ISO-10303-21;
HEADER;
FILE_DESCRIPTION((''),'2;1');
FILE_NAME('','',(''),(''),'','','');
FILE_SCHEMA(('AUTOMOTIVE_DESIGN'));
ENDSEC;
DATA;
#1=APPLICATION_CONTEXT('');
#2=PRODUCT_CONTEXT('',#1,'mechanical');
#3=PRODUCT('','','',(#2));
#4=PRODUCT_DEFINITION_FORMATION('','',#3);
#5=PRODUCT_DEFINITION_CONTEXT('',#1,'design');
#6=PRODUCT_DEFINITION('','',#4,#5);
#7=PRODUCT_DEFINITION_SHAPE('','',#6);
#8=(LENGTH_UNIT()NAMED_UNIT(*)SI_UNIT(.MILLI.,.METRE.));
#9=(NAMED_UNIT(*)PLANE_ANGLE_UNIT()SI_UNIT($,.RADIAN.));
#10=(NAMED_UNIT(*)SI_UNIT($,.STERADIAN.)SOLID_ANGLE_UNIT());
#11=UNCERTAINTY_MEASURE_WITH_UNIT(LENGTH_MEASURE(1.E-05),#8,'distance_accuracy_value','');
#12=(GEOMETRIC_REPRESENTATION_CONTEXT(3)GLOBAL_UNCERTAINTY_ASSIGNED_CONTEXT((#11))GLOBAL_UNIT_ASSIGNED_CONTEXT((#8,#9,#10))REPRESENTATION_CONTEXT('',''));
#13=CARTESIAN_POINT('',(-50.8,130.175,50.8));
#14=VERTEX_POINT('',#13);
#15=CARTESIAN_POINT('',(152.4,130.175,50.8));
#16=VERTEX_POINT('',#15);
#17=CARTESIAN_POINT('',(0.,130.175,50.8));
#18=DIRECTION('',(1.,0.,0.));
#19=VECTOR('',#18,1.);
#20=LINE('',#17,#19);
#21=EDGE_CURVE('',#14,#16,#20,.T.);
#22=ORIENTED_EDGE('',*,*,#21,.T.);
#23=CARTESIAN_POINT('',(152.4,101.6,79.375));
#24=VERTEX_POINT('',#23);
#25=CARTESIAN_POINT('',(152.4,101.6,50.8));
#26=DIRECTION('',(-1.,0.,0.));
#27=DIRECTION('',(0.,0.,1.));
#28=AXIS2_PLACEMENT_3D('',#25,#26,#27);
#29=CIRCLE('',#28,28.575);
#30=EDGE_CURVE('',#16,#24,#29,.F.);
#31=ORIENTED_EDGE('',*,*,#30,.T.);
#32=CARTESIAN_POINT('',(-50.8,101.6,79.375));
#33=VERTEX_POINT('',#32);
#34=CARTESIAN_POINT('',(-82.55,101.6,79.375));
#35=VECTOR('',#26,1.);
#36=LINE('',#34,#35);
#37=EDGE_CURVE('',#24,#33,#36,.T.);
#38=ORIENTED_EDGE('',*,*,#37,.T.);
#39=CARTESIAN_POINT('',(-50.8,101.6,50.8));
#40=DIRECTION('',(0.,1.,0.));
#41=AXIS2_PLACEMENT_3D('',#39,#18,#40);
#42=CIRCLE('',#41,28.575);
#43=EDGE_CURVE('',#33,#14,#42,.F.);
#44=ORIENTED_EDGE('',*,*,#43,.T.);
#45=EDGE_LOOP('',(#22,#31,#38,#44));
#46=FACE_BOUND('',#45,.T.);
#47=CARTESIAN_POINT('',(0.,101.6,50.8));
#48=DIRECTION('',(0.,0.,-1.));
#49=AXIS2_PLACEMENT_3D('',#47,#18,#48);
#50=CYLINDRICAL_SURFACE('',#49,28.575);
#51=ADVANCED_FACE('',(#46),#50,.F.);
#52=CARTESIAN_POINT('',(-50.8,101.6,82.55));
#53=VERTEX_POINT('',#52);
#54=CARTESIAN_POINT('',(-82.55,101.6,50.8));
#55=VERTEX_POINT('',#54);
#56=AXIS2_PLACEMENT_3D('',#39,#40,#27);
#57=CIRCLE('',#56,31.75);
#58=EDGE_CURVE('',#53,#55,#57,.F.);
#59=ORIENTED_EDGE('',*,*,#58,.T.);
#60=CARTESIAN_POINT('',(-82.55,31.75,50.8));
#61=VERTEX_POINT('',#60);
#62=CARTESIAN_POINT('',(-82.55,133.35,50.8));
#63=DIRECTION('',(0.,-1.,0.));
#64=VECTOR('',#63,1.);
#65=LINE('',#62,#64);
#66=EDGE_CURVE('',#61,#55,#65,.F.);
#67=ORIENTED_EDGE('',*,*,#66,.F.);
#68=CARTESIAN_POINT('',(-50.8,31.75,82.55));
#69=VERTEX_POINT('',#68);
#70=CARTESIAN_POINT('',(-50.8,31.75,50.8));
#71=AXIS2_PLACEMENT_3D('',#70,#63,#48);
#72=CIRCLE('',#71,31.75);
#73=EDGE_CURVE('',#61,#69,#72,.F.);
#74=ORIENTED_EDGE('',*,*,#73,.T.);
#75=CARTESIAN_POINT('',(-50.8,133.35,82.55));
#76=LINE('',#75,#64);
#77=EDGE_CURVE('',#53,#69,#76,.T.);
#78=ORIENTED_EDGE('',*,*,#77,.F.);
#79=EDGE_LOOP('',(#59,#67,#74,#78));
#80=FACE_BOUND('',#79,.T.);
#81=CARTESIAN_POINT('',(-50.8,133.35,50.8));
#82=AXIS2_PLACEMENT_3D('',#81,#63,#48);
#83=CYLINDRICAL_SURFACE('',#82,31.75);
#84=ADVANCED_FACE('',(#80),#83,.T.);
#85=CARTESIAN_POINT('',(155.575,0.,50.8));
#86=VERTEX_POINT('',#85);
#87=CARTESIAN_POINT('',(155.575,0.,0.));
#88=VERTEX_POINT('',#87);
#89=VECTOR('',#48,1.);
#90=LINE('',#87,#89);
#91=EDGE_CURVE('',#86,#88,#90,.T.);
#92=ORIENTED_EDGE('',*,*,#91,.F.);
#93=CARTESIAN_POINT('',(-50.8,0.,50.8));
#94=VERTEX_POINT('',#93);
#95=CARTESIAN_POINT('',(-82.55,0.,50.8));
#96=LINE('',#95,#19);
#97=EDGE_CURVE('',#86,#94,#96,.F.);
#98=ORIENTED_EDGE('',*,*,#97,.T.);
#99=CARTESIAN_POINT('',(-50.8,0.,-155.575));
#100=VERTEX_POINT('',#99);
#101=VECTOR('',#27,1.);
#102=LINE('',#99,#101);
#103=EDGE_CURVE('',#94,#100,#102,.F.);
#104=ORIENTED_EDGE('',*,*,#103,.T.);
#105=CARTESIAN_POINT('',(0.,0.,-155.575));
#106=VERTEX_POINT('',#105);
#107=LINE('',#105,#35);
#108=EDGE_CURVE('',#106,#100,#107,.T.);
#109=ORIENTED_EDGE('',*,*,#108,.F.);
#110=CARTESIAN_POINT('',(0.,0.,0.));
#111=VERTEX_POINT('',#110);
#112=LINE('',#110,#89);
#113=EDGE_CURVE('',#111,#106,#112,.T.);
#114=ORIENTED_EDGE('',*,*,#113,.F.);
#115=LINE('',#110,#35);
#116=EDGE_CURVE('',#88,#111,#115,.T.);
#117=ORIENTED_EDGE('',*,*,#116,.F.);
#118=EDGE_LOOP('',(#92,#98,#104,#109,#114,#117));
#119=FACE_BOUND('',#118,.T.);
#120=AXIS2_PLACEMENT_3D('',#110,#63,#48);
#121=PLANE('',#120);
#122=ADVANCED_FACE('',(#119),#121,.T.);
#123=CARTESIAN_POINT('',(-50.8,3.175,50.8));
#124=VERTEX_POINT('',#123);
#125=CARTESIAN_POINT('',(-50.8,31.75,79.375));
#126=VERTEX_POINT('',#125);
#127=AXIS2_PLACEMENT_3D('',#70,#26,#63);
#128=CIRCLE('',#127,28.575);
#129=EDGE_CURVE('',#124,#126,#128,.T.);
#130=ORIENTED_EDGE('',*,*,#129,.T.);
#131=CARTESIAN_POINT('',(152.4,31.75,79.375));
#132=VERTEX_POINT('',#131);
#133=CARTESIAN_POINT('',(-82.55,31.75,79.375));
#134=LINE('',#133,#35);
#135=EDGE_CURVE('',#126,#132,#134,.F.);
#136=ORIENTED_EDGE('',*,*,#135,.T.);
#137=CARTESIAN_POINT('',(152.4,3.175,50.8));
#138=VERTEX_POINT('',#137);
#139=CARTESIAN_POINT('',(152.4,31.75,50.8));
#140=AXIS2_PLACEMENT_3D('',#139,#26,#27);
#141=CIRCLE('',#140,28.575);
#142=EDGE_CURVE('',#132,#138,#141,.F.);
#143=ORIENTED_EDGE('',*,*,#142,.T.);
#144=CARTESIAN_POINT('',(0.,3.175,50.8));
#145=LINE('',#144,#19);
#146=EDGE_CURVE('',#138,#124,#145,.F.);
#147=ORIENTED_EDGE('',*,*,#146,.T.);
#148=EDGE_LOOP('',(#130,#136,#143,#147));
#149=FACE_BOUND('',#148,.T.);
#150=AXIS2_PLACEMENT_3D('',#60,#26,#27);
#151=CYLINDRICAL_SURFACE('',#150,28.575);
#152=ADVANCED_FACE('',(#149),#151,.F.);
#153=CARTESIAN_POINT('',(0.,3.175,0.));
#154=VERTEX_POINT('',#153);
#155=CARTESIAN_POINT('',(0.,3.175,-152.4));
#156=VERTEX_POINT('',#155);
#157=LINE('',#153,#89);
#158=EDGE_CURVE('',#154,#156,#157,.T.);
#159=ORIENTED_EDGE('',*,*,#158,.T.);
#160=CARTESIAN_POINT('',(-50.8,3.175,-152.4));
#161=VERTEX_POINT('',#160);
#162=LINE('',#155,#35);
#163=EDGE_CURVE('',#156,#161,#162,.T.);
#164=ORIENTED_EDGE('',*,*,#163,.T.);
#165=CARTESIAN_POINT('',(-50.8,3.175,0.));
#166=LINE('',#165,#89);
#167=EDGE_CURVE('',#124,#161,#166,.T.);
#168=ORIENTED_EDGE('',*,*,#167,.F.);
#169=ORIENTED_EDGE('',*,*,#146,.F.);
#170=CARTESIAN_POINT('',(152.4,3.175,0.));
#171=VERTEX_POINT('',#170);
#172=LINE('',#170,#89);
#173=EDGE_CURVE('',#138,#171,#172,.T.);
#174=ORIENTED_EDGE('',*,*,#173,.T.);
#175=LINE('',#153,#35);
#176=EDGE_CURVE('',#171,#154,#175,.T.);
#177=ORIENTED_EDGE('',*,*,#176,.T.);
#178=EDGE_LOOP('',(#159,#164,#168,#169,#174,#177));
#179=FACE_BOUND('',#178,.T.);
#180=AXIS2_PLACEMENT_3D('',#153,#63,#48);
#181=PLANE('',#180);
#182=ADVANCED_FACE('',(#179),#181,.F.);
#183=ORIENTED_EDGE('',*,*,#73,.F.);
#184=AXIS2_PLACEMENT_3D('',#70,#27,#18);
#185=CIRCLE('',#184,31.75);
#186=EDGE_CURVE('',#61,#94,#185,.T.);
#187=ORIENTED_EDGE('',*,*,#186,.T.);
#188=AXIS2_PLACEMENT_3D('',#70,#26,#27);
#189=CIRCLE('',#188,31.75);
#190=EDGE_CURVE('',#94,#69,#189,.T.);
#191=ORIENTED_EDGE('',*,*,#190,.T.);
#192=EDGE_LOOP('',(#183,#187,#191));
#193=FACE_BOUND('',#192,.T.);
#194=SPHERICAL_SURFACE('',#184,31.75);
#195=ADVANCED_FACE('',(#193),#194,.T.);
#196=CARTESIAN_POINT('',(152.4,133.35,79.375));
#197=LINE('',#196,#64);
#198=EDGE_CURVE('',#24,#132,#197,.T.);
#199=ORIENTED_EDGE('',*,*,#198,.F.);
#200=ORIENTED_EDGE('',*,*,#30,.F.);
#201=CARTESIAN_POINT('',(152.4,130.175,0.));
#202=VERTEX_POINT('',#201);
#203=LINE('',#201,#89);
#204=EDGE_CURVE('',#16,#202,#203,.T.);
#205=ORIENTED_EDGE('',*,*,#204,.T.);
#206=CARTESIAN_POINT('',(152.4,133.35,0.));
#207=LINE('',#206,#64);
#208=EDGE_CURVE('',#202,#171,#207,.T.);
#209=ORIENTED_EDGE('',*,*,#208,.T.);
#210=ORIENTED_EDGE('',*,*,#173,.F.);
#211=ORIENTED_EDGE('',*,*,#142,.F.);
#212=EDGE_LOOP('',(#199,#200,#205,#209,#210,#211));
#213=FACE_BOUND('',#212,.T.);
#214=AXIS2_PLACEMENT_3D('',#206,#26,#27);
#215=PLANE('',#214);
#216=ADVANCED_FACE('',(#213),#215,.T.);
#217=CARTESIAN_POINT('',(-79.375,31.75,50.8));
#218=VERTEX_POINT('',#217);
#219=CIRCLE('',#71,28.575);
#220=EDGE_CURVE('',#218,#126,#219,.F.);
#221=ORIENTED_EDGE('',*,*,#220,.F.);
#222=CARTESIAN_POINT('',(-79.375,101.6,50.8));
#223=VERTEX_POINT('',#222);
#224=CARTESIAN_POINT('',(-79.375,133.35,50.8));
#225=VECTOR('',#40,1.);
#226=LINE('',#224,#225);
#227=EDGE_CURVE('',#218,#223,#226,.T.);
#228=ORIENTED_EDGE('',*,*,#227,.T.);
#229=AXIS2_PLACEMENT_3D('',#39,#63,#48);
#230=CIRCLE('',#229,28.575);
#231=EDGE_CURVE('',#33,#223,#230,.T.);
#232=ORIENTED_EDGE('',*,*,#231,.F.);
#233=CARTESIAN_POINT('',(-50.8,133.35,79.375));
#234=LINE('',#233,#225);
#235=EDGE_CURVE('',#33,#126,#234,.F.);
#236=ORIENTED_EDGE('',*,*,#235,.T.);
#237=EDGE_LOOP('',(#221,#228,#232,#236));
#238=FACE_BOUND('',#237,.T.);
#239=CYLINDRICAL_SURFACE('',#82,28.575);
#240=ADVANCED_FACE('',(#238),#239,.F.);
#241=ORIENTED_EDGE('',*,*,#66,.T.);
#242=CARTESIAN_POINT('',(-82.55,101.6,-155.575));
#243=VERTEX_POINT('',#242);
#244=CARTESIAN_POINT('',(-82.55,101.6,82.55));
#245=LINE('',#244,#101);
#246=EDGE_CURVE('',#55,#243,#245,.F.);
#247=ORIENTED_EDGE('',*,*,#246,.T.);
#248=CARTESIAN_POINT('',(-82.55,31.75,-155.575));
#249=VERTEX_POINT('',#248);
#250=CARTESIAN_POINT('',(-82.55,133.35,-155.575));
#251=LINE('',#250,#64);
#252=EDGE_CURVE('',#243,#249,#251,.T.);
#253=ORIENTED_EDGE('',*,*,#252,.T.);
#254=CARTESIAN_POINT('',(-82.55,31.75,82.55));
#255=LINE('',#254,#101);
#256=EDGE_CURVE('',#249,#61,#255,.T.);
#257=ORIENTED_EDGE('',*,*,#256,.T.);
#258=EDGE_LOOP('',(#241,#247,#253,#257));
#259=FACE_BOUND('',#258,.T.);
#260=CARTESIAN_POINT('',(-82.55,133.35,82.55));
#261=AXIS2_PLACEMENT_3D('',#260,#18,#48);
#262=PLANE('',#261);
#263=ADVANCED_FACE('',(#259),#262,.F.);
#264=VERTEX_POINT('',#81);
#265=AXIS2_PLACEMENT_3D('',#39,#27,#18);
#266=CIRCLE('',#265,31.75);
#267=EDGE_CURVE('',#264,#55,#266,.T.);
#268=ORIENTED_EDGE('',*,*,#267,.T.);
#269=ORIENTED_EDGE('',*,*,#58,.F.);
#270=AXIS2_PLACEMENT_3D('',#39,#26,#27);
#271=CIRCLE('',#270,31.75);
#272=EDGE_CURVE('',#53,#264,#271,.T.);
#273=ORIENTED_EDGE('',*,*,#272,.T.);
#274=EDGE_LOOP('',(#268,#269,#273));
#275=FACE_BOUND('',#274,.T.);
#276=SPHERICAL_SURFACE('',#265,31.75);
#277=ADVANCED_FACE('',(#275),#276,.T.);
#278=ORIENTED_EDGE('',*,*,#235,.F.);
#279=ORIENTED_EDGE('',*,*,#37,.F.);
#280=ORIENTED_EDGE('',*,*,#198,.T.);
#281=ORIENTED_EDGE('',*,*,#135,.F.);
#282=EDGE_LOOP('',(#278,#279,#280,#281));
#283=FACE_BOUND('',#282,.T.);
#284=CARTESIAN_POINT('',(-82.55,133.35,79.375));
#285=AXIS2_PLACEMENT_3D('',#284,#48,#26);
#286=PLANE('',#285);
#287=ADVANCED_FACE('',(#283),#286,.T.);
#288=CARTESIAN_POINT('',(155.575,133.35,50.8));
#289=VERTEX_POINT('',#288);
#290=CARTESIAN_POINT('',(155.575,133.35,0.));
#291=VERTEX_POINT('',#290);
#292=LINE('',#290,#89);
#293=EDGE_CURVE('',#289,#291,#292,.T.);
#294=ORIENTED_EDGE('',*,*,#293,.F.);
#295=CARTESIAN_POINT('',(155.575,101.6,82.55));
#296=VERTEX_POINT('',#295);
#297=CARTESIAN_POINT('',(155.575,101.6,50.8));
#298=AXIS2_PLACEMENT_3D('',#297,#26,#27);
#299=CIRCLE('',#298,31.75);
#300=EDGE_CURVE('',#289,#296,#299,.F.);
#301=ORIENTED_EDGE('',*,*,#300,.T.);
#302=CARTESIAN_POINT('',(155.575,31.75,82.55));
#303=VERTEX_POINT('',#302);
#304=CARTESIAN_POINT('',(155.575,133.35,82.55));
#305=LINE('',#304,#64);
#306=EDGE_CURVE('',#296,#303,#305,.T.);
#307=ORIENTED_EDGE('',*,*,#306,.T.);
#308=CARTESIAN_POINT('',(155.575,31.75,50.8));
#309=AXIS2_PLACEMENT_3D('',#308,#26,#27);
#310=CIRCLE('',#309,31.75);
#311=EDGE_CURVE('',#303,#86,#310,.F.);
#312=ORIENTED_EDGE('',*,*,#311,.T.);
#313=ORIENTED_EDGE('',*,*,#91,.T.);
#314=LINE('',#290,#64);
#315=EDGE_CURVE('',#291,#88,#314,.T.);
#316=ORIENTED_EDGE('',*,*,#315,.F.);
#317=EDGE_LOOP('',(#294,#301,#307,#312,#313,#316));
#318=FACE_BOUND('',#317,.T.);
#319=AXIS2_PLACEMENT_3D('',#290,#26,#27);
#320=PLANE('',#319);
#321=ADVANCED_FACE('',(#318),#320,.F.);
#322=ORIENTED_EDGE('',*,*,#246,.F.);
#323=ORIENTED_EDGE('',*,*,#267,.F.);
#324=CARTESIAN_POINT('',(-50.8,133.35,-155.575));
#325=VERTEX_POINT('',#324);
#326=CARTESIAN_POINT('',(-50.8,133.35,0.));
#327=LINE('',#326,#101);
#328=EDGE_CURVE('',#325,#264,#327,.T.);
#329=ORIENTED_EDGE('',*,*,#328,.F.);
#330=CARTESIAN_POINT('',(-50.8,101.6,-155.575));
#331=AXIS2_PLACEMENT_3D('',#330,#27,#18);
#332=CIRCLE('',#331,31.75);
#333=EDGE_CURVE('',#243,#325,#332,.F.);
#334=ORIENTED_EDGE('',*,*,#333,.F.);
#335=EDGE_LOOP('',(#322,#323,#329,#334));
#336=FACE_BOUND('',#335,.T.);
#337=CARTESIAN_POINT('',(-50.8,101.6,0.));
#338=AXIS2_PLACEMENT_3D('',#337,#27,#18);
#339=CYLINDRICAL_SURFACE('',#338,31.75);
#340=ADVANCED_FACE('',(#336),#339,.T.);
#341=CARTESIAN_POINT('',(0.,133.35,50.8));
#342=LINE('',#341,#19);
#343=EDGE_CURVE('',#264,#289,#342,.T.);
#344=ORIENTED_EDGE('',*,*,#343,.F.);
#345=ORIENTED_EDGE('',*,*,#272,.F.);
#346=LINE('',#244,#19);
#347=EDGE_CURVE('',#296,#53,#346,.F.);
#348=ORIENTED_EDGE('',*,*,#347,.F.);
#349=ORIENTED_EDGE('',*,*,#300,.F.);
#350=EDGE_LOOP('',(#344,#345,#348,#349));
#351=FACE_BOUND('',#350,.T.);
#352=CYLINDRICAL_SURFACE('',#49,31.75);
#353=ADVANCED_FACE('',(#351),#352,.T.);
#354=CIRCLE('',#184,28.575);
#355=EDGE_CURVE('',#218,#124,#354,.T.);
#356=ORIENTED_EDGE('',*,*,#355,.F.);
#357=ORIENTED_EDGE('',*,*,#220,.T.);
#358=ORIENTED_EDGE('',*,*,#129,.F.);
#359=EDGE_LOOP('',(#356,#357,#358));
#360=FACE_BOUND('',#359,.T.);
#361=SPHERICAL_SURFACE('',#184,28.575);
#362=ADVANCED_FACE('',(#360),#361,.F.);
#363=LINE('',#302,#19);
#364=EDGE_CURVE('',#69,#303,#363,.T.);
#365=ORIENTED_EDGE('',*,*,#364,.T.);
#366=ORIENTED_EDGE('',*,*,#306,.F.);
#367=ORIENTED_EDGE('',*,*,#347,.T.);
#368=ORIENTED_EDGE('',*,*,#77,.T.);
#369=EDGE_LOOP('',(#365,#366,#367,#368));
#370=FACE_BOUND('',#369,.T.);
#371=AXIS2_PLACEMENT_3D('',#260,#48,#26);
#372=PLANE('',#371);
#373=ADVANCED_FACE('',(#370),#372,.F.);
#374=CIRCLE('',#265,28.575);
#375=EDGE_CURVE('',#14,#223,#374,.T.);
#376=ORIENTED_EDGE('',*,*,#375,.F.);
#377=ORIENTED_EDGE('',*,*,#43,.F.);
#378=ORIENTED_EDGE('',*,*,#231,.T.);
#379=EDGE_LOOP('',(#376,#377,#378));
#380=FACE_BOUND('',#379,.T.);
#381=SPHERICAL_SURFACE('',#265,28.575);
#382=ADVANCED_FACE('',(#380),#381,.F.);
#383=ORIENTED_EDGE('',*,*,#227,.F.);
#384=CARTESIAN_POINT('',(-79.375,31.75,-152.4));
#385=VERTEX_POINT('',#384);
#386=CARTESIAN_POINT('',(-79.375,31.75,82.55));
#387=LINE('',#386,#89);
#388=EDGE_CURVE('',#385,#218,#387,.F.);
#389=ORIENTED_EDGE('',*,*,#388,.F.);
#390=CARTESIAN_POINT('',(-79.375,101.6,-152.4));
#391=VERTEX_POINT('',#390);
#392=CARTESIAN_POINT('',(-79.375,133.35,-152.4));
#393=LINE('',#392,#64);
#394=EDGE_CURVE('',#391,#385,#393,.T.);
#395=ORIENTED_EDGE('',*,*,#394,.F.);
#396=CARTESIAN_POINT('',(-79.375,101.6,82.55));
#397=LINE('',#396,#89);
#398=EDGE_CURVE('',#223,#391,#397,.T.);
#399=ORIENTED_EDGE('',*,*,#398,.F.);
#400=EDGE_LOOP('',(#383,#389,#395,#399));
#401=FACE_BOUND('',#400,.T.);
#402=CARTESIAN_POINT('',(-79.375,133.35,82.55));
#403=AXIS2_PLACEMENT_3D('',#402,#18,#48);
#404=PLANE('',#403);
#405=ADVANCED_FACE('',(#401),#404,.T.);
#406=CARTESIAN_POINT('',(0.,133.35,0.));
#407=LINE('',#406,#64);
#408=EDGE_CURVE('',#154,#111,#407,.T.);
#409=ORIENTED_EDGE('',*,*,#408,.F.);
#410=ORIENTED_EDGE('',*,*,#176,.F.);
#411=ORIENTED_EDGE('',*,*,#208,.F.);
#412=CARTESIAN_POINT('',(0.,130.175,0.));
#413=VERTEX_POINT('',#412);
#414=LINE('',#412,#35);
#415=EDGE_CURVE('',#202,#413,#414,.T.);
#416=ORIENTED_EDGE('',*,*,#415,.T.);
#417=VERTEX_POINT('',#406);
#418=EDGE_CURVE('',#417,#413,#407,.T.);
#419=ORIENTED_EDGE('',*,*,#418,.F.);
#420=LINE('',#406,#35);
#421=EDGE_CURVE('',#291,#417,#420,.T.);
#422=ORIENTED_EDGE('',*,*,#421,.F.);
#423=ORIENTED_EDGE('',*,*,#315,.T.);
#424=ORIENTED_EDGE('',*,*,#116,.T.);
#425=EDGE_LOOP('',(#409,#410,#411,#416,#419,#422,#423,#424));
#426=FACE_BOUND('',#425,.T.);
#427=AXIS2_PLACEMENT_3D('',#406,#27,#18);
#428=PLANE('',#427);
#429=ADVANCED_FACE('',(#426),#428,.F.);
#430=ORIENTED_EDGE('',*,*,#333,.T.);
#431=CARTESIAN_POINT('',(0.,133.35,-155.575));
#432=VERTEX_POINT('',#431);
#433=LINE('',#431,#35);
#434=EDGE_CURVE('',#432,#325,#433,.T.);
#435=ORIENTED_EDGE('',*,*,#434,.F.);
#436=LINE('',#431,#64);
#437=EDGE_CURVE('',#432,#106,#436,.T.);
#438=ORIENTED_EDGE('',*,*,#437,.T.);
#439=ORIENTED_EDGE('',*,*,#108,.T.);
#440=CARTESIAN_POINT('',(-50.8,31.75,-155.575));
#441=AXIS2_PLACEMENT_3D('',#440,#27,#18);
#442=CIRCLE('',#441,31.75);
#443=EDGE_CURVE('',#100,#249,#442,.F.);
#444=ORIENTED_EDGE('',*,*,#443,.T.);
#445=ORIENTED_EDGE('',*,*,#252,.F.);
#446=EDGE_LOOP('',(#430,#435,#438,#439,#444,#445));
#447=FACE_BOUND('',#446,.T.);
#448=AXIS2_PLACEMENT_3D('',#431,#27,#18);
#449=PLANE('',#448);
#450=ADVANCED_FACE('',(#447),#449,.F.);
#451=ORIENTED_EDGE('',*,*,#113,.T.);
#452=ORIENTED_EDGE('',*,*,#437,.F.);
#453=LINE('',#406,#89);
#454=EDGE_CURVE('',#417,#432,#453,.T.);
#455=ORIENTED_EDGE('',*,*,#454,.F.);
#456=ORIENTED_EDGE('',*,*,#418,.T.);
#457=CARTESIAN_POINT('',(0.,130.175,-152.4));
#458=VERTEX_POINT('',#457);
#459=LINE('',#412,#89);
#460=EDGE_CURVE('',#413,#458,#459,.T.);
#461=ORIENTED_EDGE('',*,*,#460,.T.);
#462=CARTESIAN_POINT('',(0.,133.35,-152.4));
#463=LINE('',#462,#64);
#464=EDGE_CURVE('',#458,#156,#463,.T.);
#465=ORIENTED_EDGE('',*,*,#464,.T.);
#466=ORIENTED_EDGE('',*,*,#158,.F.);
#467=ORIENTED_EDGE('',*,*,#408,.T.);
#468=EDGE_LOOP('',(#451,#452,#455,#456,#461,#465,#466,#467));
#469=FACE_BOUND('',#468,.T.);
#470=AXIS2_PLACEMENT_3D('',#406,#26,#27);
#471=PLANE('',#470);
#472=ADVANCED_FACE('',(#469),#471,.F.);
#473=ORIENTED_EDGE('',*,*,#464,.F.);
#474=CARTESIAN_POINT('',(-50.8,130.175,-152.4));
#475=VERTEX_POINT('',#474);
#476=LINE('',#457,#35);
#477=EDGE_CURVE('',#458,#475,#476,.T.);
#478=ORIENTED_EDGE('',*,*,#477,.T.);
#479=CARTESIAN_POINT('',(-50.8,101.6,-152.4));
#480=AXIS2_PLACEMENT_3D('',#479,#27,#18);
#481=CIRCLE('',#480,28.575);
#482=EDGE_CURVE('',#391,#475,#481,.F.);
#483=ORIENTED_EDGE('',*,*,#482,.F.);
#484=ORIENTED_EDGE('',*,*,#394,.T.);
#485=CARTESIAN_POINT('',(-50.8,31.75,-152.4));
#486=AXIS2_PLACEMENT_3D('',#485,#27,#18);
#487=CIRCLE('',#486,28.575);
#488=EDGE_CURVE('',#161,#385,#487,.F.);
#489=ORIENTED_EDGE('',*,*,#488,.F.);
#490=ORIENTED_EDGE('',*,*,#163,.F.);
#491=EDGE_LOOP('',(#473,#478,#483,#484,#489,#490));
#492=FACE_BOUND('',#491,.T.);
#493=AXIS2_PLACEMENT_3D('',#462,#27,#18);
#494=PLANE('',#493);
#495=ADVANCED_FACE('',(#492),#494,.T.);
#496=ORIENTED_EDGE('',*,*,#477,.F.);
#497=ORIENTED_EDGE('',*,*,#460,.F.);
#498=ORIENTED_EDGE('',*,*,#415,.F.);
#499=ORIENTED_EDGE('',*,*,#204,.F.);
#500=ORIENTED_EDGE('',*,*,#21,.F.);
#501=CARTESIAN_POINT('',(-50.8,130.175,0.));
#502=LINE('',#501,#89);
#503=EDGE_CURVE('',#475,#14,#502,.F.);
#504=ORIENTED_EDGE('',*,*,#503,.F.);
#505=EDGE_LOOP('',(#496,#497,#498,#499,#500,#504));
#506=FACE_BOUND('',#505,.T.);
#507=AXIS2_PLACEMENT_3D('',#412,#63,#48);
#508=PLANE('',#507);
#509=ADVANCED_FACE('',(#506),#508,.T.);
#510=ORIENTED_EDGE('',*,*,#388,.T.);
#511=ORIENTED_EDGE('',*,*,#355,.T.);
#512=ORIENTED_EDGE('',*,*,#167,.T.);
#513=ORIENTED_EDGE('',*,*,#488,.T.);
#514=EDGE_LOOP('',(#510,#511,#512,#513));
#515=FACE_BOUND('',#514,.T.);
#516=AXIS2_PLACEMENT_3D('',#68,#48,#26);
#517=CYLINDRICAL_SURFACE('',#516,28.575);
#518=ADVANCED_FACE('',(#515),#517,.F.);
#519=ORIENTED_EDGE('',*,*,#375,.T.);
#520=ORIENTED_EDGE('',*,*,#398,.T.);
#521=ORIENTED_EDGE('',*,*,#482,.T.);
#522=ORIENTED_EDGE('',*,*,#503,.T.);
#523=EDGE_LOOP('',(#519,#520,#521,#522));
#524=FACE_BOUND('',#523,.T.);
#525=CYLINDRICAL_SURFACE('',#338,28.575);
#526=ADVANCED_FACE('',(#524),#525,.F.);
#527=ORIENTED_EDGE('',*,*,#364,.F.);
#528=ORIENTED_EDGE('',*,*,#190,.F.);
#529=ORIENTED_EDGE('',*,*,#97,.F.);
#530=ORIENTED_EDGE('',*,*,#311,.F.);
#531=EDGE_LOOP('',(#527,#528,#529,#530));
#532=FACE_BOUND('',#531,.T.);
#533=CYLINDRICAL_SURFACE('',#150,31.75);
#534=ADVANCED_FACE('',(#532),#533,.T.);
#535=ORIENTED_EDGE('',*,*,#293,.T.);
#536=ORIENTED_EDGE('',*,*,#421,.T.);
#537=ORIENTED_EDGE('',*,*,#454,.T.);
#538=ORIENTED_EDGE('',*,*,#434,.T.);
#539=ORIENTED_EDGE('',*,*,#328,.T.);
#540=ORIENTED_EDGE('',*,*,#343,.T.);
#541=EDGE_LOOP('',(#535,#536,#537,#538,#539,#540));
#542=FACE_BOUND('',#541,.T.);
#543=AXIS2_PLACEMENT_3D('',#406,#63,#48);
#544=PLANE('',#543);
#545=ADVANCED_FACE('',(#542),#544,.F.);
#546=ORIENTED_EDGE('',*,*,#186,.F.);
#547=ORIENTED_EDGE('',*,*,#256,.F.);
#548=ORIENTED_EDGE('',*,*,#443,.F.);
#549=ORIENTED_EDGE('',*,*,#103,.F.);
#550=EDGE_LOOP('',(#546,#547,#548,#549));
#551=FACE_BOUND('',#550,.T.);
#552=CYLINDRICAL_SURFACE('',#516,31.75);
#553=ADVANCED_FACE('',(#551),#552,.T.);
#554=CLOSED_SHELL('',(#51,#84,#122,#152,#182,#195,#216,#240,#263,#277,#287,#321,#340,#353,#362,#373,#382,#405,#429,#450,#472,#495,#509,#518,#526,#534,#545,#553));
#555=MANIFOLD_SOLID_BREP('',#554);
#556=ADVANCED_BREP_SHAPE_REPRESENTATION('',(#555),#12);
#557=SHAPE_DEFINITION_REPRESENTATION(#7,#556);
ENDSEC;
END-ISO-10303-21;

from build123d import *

# Parameters (mm, degrees)
BOSS_EXTRUDE1_DEPTH = 133.35
FILLET1_R           = 31.75
SHELL1_T            = -3.175


with BuildPart() as part:
    # Sketch1 → Boss-Extrude1 (new body)
    with BuildSketch(Plane(origin=(0, 0, 0), x_dir=(1, 0, 0), z_dir=(0, 1, 0))):
        Polygon((0, 0), (0, 155.575), (-82.55, 155.575), (-82.55, -82.55), (155.575, -82.55), (155.575, 0), align=None)
    extrude(amount=BOSS_EXTRUDE1_DEPTH)

    # Fillet1
    fillet1_edges = [part.edges().sort_by_distance(p)[0] for p in [
        (-82.55, 66.675, 82.55),
        (-82.55, 133.35, -36.5125),
        (36.5125, 133.35, 82.55),
        (36.5125, 0, 82.55),
        (-82.55, 0, -36.5125),
    ]]
    fillet(fillet1_edges, radius=FILLET1_R)

    # Shell1
    shell1_openings = [part.faces().sort_by_distance(p)[0] for p in [
        (0, 66.675, -77.7875),
        (77.7875, 66.675, 0),
    ]]
    offset(amount=SHELL1_T, openings=shell1_openings, kind=Kind.INTERSECTION)


solid = part.part
